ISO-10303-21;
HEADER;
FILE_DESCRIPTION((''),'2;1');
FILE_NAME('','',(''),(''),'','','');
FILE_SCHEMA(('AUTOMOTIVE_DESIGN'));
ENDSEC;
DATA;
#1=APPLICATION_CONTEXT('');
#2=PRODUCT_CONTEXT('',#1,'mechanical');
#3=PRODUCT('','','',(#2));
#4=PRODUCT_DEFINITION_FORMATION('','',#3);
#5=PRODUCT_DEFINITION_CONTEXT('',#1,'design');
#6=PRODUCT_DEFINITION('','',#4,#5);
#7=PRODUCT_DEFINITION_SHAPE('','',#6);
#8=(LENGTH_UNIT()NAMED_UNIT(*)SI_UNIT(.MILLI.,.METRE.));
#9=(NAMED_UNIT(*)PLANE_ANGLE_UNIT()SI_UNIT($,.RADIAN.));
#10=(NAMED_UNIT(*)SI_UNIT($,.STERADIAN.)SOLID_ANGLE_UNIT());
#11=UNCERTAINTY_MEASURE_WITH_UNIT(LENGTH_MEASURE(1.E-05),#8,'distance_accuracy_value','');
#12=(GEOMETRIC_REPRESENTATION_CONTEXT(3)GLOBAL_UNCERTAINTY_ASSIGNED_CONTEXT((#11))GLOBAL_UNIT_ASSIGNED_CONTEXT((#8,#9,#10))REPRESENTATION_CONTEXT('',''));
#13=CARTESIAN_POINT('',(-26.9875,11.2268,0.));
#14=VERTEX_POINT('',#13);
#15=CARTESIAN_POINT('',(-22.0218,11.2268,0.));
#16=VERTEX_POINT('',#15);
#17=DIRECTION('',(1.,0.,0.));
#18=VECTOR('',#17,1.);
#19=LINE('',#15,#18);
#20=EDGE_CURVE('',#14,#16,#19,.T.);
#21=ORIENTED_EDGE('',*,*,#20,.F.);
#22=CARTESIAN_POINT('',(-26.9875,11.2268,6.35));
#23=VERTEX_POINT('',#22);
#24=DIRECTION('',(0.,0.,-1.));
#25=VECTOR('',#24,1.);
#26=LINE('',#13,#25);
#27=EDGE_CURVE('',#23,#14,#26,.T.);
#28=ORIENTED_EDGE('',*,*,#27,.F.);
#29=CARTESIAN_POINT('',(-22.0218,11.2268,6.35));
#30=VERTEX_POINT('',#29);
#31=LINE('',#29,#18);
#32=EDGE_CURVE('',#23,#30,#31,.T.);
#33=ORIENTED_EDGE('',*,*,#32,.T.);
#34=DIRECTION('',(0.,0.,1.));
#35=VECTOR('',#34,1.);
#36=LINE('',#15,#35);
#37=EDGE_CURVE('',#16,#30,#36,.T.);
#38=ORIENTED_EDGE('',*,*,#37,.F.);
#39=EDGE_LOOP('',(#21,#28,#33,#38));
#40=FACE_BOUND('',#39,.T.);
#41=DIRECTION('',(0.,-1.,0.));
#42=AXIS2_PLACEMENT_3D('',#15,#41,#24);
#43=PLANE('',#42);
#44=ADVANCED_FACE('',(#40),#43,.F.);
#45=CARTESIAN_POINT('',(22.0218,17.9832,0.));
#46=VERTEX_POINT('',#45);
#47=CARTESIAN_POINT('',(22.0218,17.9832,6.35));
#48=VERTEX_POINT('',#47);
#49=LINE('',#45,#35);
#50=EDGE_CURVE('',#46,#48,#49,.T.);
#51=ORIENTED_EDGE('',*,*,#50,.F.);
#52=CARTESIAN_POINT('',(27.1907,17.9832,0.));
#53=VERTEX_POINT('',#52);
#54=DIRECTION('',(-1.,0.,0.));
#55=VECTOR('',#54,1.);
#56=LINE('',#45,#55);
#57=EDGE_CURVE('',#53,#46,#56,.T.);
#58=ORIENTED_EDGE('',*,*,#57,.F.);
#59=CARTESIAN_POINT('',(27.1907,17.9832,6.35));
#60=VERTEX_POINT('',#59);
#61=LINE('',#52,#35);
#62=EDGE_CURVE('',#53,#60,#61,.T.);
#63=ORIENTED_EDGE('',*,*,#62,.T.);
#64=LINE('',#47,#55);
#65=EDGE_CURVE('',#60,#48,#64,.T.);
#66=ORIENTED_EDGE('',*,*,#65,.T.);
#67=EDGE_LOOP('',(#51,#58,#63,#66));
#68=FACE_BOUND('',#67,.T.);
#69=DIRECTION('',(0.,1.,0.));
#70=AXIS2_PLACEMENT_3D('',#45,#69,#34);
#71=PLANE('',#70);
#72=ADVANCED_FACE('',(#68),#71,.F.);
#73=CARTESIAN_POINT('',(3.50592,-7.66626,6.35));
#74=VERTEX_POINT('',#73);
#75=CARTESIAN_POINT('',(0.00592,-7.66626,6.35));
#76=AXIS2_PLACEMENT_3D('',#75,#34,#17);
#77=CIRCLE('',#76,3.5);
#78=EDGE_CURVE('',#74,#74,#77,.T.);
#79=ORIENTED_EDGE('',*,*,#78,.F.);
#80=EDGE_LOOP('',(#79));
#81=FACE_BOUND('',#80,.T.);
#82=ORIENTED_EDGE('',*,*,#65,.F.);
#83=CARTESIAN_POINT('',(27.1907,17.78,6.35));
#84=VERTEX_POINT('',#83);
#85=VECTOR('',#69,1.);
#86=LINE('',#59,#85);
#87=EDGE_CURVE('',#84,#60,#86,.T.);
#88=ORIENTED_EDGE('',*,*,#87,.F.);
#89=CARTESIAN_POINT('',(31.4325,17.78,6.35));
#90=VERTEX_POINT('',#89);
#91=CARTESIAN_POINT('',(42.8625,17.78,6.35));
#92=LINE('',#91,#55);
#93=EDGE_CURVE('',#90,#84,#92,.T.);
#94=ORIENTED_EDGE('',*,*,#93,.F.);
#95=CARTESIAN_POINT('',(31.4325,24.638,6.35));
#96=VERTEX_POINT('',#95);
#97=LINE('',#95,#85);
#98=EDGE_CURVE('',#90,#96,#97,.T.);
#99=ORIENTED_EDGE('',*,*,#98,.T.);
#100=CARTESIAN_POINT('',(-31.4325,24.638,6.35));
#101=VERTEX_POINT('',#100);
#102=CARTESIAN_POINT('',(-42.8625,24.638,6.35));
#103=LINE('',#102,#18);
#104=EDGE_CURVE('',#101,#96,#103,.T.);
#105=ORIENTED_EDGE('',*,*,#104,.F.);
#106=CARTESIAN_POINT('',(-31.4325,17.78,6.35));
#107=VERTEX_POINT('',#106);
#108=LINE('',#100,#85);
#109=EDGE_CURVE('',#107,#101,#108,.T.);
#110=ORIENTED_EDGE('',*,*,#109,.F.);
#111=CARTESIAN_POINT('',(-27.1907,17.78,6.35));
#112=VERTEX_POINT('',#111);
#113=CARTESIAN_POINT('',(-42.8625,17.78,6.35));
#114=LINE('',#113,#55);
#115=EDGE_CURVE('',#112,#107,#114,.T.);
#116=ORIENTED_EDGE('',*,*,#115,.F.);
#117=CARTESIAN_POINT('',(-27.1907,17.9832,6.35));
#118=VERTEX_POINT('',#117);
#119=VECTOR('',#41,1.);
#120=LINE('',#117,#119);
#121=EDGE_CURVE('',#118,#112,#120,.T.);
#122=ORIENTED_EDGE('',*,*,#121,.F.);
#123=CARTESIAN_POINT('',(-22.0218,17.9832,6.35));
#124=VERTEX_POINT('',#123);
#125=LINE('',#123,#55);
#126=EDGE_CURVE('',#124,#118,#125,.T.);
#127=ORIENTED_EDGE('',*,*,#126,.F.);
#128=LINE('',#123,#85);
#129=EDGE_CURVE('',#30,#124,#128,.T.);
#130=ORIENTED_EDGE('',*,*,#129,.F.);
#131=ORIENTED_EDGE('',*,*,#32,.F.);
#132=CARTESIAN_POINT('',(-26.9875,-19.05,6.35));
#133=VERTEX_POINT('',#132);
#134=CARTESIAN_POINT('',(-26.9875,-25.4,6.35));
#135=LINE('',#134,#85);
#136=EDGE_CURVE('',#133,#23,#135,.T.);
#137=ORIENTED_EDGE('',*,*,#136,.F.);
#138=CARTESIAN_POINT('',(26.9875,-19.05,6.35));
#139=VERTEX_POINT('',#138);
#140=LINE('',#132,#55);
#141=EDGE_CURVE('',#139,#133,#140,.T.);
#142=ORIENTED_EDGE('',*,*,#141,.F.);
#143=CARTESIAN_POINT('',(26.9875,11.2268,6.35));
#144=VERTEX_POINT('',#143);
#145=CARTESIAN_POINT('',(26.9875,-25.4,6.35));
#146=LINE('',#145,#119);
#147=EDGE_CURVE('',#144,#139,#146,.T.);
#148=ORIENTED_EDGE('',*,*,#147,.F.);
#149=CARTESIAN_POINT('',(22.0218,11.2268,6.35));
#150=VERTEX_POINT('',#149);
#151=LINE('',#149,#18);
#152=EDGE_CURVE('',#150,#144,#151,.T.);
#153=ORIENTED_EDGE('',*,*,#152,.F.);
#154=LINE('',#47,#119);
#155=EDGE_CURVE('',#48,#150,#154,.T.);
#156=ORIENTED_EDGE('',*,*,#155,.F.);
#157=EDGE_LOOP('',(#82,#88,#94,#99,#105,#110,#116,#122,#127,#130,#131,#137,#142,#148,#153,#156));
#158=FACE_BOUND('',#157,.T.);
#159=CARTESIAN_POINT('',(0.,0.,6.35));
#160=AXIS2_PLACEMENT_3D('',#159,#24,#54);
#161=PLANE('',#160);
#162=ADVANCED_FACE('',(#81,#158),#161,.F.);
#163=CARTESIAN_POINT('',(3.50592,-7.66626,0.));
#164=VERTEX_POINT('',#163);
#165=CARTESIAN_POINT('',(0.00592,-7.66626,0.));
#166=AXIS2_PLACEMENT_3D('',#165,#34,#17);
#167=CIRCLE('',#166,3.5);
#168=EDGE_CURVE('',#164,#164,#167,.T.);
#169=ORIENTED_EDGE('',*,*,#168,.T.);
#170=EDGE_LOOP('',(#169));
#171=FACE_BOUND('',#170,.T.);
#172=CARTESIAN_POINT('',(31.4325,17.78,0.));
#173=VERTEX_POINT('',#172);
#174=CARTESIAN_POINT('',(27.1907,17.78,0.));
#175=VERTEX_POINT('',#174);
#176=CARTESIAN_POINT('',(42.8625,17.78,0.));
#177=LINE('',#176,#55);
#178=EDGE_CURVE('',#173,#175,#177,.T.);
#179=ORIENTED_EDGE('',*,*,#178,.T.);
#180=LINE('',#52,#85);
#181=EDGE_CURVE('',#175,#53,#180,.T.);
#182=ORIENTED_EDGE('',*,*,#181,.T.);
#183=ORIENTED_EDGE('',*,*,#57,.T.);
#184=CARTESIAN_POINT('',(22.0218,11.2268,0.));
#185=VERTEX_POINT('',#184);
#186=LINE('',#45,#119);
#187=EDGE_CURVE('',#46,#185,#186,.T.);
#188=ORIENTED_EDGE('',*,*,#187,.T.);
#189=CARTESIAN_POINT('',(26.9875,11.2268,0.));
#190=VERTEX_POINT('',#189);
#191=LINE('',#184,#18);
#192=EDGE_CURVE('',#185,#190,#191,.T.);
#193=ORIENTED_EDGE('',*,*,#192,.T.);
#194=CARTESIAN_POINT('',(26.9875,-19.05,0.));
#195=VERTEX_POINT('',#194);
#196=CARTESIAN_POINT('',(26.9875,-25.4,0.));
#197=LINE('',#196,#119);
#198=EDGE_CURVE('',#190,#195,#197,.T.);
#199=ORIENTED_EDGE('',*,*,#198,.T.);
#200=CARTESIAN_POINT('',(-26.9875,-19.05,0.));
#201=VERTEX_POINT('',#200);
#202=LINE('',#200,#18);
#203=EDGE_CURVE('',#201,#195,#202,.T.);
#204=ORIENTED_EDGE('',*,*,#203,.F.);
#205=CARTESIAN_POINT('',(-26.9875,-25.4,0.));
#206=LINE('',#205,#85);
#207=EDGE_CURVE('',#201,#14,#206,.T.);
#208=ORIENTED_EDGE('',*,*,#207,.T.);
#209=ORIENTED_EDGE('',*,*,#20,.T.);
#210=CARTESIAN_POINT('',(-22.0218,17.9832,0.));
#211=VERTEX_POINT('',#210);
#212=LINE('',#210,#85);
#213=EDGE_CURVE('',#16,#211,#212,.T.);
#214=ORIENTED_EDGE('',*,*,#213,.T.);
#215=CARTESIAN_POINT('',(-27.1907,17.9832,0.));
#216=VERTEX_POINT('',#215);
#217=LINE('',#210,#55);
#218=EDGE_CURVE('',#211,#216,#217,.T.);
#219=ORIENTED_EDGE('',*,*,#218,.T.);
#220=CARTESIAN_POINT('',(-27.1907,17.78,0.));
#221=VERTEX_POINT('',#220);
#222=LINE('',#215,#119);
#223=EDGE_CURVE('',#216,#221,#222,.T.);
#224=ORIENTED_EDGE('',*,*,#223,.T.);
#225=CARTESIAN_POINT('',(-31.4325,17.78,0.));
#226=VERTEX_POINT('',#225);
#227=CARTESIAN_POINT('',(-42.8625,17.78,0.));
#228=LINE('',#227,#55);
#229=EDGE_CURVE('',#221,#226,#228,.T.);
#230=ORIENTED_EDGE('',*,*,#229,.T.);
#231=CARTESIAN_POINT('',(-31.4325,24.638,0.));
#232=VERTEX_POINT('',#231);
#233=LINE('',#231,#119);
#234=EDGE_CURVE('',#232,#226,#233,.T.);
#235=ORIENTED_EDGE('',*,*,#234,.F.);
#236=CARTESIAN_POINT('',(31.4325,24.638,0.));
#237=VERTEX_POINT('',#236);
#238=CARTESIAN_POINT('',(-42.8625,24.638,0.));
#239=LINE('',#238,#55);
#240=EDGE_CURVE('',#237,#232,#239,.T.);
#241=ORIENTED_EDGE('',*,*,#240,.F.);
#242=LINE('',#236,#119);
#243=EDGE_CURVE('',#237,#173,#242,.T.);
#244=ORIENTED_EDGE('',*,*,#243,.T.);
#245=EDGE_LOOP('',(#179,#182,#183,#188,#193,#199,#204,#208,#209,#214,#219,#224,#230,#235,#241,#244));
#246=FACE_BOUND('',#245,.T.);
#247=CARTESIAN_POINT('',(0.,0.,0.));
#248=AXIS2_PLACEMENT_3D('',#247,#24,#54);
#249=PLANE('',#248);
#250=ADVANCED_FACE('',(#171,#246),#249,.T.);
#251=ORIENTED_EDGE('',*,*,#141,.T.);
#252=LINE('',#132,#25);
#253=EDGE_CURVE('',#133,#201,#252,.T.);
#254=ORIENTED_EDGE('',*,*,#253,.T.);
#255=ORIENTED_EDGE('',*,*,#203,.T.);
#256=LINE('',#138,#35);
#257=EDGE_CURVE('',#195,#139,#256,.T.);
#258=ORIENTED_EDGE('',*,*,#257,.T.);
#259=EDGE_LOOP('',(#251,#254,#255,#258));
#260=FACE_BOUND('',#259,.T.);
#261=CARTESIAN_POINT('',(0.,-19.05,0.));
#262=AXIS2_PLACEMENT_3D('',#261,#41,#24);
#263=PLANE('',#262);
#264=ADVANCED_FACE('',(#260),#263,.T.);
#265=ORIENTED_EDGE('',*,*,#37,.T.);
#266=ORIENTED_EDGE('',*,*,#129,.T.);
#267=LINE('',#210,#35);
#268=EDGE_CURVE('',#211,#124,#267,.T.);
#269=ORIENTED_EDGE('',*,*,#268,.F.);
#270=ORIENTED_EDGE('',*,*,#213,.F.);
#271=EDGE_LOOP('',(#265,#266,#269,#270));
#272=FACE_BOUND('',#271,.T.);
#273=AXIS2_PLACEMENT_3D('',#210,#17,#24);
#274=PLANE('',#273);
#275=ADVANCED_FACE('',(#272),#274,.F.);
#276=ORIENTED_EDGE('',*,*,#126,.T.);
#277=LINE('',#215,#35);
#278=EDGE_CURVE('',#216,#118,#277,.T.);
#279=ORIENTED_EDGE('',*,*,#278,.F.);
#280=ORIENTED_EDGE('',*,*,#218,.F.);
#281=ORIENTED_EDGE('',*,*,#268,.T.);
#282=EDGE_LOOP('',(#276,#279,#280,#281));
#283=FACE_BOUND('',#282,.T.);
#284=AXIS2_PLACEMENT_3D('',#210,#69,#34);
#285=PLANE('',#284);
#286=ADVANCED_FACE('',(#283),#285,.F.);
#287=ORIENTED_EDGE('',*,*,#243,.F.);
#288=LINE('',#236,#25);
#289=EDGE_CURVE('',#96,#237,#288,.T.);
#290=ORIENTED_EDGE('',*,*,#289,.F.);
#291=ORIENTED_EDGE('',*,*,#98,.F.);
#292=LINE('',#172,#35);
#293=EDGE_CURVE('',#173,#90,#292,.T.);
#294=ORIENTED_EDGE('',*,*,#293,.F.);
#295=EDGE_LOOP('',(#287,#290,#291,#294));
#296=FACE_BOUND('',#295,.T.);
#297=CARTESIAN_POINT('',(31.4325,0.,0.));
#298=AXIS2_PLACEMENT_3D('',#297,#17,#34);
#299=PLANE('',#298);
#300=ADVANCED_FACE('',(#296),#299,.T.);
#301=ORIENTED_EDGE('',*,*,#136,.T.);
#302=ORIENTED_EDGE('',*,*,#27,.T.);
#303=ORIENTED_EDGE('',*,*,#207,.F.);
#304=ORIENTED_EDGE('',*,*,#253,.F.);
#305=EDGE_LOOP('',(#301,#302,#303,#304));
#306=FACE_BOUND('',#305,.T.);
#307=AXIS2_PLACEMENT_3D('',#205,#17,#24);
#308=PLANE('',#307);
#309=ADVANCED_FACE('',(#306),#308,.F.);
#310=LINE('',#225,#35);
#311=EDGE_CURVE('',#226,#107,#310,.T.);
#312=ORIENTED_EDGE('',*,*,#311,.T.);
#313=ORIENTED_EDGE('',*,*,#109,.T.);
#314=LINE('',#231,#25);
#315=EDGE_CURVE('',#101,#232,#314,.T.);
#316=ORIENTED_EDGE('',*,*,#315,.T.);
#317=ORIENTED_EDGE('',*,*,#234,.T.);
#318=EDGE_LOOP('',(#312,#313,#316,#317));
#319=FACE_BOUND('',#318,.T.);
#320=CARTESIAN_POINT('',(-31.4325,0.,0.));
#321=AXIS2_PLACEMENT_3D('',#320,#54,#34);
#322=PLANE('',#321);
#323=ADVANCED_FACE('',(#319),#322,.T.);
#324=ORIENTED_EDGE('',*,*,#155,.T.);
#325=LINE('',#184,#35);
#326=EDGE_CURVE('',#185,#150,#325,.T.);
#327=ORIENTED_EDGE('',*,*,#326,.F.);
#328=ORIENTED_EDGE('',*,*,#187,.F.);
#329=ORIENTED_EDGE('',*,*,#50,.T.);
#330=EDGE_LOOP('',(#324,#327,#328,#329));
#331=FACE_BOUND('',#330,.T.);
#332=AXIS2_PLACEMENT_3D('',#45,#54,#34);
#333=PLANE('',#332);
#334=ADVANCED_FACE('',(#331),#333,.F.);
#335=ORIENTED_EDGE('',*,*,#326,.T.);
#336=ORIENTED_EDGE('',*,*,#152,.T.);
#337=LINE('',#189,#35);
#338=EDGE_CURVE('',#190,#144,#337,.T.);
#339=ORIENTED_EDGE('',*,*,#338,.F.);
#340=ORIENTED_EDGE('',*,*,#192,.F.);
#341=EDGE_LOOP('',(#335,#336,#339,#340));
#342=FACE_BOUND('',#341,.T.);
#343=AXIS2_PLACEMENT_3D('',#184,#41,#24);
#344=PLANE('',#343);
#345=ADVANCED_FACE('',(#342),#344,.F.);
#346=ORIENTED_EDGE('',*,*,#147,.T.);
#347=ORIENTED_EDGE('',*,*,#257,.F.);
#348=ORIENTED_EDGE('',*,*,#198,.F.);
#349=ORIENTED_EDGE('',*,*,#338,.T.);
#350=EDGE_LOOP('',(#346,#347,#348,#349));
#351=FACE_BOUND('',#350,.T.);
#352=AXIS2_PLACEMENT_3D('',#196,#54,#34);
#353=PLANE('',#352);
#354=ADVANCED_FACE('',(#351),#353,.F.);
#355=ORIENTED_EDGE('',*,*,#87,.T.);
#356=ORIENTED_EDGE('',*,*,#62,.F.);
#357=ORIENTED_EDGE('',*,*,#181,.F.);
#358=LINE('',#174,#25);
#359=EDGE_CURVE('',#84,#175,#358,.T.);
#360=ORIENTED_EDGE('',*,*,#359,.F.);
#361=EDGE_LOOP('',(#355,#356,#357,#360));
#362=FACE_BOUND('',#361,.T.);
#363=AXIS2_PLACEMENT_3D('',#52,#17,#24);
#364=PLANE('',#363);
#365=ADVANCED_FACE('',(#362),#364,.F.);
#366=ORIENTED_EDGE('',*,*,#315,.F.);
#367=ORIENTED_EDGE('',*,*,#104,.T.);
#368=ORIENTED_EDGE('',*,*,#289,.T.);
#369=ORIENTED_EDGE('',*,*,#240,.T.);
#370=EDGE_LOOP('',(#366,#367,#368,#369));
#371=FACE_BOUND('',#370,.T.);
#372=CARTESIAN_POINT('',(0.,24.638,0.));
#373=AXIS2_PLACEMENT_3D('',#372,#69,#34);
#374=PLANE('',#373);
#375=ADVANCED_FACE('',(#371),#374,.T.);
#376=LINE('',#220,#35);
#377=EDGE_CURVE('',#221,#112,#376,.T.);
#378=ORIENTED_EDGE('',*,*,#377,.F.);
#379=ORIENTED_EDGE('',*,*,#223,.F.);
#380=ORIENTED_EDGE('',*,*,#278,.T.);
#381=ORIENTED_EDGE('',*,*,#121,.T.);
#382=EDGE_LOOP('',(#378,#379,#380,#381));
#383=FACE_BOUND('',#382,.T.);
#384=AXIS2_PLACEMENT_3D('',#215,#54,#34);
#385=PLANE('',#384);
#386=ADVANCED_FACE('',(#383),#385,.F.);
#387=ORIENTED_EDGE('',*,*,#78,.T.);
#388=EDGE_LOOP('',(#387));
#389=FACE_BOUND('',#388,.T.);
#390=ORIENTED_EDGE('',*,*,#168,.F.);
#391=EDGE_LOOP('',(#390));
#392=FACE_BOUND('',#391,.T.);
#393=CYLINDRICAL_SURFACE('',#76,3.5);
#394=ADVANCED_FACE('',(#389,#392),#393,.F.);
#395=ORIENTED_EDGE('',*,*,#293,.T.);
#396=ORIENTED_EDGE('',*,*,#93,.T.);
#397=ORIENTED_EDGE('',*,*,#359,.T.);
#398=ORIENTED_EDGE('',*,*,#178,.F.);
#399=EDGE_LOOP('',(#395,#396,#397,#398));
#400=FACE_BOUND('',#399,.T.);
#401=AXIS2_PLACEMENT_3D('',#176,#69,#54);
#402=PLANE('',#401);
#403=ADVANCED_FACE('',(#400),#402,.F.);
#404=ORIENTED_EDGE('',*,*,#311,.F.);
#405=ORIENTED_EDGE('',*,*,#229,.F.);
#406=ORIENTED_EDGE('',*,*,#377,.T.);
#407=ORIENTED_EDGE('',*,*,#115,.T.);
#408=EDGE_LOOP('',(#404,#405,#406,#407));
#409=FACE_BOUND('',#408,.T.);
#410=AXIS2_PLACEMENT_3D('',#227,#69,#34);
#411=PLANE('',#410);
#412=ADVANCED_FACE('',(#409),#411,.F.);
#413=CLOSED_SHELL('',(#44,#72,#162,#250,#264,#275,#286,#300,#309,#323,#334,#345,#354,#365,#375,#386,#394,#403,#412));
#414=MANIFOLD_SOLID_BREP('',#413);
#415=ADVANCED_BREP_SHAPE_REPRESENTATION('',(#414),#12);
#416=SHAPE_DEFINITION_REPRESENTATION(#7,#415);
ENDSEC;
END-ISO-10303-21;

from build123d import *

# Parameters (mm, degrees)
SKETCH1_W            = 85.725
SKETCH1_H            = 50.8
BOSS_EXTRUDE1_DEPTH  = 6.35
SKETCH2_W            = 15.875
SKETCH2_H            = 43.18
CUT_EXTRUDE1_DEPTH   = 6.35
SKETCH3_W            = 85.725
SKETCH3_H            = 6.35
CUT_EXTRUDE2_DEPTH   = 0.762
SKETCH5_W            = 6.35
SKETCH5_H            = 6.35
CUT_EXTRUDE3_DEPTH   = 4.7625
SKETCH7_W            = 6.35
SKETCH7_H            = 6.858
CUT_EXTRUDE5_DEPTH   = 11.43
SKETCH8_W            = 53.975
SKETCH8_H            = 6.35
CUT_EXTRUDE6_DEPTH   = 6.35
M6_CLEARANCE_HOLE1_D = 7
SKETCH12_W           = 5.1689
SKETCH12_H           = 6.7564
CUT_EXTRUDE7_DEPTH   = 41.439530169


with BuildPart() as part:
    # Sketch1 → Boss-Extrude1 (new body)
    with BuildSketch(Plane.XY):
        Rectangle(SKETCH1_W, SKETCH1_H)
    extrude(amount=BOSS_EXTRUDE1_DEPTH)

    # Sketch2 → Cut-Extrude1 (cut)
    with BuildSketch(Plane.XY.offset(6.35)):
        with Locations((-34.925, -3.81)):
            Rectangle(SKETCH2_W, SKETCH2_H)
        with Locations((34.925, -3.81)):
            Rectangle(SKETCH2_W, SKETCH2_H)
    extrude(amount=-CUT_EXTRUDE1_DEPTH, mode=Mode.SUBTRACT)

    # Sketch3 → Cut-Extrude2 (cut)
    with BuildSketch(Plane(origin=(0, 25.4, 0), x_dir=(1, 0, 0), z_dir=(0, 1, 0))):
        with Locations((0, -3.175)):
            Rectangle(SKETCH3_W, SKETCH3_H)
    extrude(amount=-CUT_EXTRUDE2_DEPTH, mode=Mode.SUBTRACT)

    # Sketch5 → Cut-Extrude3 (cut)
    with BuildSketch(Plane.ZY.offset(26.9875)):
        with Locations((3.175, 14.605)):
            Rectangle(SKETCH5_W, SKETCH5_H)
    cut_extrude3 = extrude(amount=-CUT_EXTRUDE3_DEPTH, mode=Mode.SUBTRACT)

    # Mirror1: Cut-Extrude3 across plane
    add(cut_extrude3.mirror(Plane(origin=(0, 0, 0), x_dir=(0, 0, 1), z_dir=(1, 0, 0))), mode=Mode.SUBTRACT)

    # Sketch7 → Cut-Extrude5 (cut)
    with BuildSketch(Plane.ZY.offset(42.8625)):
        with Locations((3.175, 21.209)):
            Rectangle(SKETCH7_W, SKETCH7_H)
    cut_extrude5 = extrude(amount=-CUT_EXTRUDE5_DEPTH, mode=Mode.SUBTRACT)

    # Mirror2: Cut-Extrude5 across plane
    add(cut_extrude5.mirror(Plane(origin=(0, 0, 0), x_dir=(0, 0, 1), z_dir=(1, 0, 0))), mode=Mode.SUBTRACT)

    # Sketch8 → Cut-Extrude6 (cut)
    with BuildSketch(Plane.XZ.offset(25.4)):
        with Locations((0, 3.175)):
            Rectangle(SKETCH8_W, SKETCH8_H)
    extrude(amount=-CUT_EXTRUDE6_DEPTH, mode=Mode.SUBTRACT)

    # M6 Clearance Hole1 (through all)
    with Locations(Plane.XY.offset(6.35)):
        with Locations((0.00592, -7.666260004)):
            Hole(M6_CLEARANCE_HOLE1_D / 2)

    # Sketch12 → Cut-Extrude7 (cut, through all)
    with BuildSketch(Plane.XY.offset(6.35)):
        with Locations((-24.60625, 14.605)):
            Rectangle(SKETCH12_W, SKETCH12_H)
        with Locations((24.60625, 14.605)):
            Rectangle(SKETCH12_W, SKETCH12_H)
    extrude(amount=-CUT_EXTRUDE7_DEPTH, mode=Mode.SUBTRACT)


solid = part.part
